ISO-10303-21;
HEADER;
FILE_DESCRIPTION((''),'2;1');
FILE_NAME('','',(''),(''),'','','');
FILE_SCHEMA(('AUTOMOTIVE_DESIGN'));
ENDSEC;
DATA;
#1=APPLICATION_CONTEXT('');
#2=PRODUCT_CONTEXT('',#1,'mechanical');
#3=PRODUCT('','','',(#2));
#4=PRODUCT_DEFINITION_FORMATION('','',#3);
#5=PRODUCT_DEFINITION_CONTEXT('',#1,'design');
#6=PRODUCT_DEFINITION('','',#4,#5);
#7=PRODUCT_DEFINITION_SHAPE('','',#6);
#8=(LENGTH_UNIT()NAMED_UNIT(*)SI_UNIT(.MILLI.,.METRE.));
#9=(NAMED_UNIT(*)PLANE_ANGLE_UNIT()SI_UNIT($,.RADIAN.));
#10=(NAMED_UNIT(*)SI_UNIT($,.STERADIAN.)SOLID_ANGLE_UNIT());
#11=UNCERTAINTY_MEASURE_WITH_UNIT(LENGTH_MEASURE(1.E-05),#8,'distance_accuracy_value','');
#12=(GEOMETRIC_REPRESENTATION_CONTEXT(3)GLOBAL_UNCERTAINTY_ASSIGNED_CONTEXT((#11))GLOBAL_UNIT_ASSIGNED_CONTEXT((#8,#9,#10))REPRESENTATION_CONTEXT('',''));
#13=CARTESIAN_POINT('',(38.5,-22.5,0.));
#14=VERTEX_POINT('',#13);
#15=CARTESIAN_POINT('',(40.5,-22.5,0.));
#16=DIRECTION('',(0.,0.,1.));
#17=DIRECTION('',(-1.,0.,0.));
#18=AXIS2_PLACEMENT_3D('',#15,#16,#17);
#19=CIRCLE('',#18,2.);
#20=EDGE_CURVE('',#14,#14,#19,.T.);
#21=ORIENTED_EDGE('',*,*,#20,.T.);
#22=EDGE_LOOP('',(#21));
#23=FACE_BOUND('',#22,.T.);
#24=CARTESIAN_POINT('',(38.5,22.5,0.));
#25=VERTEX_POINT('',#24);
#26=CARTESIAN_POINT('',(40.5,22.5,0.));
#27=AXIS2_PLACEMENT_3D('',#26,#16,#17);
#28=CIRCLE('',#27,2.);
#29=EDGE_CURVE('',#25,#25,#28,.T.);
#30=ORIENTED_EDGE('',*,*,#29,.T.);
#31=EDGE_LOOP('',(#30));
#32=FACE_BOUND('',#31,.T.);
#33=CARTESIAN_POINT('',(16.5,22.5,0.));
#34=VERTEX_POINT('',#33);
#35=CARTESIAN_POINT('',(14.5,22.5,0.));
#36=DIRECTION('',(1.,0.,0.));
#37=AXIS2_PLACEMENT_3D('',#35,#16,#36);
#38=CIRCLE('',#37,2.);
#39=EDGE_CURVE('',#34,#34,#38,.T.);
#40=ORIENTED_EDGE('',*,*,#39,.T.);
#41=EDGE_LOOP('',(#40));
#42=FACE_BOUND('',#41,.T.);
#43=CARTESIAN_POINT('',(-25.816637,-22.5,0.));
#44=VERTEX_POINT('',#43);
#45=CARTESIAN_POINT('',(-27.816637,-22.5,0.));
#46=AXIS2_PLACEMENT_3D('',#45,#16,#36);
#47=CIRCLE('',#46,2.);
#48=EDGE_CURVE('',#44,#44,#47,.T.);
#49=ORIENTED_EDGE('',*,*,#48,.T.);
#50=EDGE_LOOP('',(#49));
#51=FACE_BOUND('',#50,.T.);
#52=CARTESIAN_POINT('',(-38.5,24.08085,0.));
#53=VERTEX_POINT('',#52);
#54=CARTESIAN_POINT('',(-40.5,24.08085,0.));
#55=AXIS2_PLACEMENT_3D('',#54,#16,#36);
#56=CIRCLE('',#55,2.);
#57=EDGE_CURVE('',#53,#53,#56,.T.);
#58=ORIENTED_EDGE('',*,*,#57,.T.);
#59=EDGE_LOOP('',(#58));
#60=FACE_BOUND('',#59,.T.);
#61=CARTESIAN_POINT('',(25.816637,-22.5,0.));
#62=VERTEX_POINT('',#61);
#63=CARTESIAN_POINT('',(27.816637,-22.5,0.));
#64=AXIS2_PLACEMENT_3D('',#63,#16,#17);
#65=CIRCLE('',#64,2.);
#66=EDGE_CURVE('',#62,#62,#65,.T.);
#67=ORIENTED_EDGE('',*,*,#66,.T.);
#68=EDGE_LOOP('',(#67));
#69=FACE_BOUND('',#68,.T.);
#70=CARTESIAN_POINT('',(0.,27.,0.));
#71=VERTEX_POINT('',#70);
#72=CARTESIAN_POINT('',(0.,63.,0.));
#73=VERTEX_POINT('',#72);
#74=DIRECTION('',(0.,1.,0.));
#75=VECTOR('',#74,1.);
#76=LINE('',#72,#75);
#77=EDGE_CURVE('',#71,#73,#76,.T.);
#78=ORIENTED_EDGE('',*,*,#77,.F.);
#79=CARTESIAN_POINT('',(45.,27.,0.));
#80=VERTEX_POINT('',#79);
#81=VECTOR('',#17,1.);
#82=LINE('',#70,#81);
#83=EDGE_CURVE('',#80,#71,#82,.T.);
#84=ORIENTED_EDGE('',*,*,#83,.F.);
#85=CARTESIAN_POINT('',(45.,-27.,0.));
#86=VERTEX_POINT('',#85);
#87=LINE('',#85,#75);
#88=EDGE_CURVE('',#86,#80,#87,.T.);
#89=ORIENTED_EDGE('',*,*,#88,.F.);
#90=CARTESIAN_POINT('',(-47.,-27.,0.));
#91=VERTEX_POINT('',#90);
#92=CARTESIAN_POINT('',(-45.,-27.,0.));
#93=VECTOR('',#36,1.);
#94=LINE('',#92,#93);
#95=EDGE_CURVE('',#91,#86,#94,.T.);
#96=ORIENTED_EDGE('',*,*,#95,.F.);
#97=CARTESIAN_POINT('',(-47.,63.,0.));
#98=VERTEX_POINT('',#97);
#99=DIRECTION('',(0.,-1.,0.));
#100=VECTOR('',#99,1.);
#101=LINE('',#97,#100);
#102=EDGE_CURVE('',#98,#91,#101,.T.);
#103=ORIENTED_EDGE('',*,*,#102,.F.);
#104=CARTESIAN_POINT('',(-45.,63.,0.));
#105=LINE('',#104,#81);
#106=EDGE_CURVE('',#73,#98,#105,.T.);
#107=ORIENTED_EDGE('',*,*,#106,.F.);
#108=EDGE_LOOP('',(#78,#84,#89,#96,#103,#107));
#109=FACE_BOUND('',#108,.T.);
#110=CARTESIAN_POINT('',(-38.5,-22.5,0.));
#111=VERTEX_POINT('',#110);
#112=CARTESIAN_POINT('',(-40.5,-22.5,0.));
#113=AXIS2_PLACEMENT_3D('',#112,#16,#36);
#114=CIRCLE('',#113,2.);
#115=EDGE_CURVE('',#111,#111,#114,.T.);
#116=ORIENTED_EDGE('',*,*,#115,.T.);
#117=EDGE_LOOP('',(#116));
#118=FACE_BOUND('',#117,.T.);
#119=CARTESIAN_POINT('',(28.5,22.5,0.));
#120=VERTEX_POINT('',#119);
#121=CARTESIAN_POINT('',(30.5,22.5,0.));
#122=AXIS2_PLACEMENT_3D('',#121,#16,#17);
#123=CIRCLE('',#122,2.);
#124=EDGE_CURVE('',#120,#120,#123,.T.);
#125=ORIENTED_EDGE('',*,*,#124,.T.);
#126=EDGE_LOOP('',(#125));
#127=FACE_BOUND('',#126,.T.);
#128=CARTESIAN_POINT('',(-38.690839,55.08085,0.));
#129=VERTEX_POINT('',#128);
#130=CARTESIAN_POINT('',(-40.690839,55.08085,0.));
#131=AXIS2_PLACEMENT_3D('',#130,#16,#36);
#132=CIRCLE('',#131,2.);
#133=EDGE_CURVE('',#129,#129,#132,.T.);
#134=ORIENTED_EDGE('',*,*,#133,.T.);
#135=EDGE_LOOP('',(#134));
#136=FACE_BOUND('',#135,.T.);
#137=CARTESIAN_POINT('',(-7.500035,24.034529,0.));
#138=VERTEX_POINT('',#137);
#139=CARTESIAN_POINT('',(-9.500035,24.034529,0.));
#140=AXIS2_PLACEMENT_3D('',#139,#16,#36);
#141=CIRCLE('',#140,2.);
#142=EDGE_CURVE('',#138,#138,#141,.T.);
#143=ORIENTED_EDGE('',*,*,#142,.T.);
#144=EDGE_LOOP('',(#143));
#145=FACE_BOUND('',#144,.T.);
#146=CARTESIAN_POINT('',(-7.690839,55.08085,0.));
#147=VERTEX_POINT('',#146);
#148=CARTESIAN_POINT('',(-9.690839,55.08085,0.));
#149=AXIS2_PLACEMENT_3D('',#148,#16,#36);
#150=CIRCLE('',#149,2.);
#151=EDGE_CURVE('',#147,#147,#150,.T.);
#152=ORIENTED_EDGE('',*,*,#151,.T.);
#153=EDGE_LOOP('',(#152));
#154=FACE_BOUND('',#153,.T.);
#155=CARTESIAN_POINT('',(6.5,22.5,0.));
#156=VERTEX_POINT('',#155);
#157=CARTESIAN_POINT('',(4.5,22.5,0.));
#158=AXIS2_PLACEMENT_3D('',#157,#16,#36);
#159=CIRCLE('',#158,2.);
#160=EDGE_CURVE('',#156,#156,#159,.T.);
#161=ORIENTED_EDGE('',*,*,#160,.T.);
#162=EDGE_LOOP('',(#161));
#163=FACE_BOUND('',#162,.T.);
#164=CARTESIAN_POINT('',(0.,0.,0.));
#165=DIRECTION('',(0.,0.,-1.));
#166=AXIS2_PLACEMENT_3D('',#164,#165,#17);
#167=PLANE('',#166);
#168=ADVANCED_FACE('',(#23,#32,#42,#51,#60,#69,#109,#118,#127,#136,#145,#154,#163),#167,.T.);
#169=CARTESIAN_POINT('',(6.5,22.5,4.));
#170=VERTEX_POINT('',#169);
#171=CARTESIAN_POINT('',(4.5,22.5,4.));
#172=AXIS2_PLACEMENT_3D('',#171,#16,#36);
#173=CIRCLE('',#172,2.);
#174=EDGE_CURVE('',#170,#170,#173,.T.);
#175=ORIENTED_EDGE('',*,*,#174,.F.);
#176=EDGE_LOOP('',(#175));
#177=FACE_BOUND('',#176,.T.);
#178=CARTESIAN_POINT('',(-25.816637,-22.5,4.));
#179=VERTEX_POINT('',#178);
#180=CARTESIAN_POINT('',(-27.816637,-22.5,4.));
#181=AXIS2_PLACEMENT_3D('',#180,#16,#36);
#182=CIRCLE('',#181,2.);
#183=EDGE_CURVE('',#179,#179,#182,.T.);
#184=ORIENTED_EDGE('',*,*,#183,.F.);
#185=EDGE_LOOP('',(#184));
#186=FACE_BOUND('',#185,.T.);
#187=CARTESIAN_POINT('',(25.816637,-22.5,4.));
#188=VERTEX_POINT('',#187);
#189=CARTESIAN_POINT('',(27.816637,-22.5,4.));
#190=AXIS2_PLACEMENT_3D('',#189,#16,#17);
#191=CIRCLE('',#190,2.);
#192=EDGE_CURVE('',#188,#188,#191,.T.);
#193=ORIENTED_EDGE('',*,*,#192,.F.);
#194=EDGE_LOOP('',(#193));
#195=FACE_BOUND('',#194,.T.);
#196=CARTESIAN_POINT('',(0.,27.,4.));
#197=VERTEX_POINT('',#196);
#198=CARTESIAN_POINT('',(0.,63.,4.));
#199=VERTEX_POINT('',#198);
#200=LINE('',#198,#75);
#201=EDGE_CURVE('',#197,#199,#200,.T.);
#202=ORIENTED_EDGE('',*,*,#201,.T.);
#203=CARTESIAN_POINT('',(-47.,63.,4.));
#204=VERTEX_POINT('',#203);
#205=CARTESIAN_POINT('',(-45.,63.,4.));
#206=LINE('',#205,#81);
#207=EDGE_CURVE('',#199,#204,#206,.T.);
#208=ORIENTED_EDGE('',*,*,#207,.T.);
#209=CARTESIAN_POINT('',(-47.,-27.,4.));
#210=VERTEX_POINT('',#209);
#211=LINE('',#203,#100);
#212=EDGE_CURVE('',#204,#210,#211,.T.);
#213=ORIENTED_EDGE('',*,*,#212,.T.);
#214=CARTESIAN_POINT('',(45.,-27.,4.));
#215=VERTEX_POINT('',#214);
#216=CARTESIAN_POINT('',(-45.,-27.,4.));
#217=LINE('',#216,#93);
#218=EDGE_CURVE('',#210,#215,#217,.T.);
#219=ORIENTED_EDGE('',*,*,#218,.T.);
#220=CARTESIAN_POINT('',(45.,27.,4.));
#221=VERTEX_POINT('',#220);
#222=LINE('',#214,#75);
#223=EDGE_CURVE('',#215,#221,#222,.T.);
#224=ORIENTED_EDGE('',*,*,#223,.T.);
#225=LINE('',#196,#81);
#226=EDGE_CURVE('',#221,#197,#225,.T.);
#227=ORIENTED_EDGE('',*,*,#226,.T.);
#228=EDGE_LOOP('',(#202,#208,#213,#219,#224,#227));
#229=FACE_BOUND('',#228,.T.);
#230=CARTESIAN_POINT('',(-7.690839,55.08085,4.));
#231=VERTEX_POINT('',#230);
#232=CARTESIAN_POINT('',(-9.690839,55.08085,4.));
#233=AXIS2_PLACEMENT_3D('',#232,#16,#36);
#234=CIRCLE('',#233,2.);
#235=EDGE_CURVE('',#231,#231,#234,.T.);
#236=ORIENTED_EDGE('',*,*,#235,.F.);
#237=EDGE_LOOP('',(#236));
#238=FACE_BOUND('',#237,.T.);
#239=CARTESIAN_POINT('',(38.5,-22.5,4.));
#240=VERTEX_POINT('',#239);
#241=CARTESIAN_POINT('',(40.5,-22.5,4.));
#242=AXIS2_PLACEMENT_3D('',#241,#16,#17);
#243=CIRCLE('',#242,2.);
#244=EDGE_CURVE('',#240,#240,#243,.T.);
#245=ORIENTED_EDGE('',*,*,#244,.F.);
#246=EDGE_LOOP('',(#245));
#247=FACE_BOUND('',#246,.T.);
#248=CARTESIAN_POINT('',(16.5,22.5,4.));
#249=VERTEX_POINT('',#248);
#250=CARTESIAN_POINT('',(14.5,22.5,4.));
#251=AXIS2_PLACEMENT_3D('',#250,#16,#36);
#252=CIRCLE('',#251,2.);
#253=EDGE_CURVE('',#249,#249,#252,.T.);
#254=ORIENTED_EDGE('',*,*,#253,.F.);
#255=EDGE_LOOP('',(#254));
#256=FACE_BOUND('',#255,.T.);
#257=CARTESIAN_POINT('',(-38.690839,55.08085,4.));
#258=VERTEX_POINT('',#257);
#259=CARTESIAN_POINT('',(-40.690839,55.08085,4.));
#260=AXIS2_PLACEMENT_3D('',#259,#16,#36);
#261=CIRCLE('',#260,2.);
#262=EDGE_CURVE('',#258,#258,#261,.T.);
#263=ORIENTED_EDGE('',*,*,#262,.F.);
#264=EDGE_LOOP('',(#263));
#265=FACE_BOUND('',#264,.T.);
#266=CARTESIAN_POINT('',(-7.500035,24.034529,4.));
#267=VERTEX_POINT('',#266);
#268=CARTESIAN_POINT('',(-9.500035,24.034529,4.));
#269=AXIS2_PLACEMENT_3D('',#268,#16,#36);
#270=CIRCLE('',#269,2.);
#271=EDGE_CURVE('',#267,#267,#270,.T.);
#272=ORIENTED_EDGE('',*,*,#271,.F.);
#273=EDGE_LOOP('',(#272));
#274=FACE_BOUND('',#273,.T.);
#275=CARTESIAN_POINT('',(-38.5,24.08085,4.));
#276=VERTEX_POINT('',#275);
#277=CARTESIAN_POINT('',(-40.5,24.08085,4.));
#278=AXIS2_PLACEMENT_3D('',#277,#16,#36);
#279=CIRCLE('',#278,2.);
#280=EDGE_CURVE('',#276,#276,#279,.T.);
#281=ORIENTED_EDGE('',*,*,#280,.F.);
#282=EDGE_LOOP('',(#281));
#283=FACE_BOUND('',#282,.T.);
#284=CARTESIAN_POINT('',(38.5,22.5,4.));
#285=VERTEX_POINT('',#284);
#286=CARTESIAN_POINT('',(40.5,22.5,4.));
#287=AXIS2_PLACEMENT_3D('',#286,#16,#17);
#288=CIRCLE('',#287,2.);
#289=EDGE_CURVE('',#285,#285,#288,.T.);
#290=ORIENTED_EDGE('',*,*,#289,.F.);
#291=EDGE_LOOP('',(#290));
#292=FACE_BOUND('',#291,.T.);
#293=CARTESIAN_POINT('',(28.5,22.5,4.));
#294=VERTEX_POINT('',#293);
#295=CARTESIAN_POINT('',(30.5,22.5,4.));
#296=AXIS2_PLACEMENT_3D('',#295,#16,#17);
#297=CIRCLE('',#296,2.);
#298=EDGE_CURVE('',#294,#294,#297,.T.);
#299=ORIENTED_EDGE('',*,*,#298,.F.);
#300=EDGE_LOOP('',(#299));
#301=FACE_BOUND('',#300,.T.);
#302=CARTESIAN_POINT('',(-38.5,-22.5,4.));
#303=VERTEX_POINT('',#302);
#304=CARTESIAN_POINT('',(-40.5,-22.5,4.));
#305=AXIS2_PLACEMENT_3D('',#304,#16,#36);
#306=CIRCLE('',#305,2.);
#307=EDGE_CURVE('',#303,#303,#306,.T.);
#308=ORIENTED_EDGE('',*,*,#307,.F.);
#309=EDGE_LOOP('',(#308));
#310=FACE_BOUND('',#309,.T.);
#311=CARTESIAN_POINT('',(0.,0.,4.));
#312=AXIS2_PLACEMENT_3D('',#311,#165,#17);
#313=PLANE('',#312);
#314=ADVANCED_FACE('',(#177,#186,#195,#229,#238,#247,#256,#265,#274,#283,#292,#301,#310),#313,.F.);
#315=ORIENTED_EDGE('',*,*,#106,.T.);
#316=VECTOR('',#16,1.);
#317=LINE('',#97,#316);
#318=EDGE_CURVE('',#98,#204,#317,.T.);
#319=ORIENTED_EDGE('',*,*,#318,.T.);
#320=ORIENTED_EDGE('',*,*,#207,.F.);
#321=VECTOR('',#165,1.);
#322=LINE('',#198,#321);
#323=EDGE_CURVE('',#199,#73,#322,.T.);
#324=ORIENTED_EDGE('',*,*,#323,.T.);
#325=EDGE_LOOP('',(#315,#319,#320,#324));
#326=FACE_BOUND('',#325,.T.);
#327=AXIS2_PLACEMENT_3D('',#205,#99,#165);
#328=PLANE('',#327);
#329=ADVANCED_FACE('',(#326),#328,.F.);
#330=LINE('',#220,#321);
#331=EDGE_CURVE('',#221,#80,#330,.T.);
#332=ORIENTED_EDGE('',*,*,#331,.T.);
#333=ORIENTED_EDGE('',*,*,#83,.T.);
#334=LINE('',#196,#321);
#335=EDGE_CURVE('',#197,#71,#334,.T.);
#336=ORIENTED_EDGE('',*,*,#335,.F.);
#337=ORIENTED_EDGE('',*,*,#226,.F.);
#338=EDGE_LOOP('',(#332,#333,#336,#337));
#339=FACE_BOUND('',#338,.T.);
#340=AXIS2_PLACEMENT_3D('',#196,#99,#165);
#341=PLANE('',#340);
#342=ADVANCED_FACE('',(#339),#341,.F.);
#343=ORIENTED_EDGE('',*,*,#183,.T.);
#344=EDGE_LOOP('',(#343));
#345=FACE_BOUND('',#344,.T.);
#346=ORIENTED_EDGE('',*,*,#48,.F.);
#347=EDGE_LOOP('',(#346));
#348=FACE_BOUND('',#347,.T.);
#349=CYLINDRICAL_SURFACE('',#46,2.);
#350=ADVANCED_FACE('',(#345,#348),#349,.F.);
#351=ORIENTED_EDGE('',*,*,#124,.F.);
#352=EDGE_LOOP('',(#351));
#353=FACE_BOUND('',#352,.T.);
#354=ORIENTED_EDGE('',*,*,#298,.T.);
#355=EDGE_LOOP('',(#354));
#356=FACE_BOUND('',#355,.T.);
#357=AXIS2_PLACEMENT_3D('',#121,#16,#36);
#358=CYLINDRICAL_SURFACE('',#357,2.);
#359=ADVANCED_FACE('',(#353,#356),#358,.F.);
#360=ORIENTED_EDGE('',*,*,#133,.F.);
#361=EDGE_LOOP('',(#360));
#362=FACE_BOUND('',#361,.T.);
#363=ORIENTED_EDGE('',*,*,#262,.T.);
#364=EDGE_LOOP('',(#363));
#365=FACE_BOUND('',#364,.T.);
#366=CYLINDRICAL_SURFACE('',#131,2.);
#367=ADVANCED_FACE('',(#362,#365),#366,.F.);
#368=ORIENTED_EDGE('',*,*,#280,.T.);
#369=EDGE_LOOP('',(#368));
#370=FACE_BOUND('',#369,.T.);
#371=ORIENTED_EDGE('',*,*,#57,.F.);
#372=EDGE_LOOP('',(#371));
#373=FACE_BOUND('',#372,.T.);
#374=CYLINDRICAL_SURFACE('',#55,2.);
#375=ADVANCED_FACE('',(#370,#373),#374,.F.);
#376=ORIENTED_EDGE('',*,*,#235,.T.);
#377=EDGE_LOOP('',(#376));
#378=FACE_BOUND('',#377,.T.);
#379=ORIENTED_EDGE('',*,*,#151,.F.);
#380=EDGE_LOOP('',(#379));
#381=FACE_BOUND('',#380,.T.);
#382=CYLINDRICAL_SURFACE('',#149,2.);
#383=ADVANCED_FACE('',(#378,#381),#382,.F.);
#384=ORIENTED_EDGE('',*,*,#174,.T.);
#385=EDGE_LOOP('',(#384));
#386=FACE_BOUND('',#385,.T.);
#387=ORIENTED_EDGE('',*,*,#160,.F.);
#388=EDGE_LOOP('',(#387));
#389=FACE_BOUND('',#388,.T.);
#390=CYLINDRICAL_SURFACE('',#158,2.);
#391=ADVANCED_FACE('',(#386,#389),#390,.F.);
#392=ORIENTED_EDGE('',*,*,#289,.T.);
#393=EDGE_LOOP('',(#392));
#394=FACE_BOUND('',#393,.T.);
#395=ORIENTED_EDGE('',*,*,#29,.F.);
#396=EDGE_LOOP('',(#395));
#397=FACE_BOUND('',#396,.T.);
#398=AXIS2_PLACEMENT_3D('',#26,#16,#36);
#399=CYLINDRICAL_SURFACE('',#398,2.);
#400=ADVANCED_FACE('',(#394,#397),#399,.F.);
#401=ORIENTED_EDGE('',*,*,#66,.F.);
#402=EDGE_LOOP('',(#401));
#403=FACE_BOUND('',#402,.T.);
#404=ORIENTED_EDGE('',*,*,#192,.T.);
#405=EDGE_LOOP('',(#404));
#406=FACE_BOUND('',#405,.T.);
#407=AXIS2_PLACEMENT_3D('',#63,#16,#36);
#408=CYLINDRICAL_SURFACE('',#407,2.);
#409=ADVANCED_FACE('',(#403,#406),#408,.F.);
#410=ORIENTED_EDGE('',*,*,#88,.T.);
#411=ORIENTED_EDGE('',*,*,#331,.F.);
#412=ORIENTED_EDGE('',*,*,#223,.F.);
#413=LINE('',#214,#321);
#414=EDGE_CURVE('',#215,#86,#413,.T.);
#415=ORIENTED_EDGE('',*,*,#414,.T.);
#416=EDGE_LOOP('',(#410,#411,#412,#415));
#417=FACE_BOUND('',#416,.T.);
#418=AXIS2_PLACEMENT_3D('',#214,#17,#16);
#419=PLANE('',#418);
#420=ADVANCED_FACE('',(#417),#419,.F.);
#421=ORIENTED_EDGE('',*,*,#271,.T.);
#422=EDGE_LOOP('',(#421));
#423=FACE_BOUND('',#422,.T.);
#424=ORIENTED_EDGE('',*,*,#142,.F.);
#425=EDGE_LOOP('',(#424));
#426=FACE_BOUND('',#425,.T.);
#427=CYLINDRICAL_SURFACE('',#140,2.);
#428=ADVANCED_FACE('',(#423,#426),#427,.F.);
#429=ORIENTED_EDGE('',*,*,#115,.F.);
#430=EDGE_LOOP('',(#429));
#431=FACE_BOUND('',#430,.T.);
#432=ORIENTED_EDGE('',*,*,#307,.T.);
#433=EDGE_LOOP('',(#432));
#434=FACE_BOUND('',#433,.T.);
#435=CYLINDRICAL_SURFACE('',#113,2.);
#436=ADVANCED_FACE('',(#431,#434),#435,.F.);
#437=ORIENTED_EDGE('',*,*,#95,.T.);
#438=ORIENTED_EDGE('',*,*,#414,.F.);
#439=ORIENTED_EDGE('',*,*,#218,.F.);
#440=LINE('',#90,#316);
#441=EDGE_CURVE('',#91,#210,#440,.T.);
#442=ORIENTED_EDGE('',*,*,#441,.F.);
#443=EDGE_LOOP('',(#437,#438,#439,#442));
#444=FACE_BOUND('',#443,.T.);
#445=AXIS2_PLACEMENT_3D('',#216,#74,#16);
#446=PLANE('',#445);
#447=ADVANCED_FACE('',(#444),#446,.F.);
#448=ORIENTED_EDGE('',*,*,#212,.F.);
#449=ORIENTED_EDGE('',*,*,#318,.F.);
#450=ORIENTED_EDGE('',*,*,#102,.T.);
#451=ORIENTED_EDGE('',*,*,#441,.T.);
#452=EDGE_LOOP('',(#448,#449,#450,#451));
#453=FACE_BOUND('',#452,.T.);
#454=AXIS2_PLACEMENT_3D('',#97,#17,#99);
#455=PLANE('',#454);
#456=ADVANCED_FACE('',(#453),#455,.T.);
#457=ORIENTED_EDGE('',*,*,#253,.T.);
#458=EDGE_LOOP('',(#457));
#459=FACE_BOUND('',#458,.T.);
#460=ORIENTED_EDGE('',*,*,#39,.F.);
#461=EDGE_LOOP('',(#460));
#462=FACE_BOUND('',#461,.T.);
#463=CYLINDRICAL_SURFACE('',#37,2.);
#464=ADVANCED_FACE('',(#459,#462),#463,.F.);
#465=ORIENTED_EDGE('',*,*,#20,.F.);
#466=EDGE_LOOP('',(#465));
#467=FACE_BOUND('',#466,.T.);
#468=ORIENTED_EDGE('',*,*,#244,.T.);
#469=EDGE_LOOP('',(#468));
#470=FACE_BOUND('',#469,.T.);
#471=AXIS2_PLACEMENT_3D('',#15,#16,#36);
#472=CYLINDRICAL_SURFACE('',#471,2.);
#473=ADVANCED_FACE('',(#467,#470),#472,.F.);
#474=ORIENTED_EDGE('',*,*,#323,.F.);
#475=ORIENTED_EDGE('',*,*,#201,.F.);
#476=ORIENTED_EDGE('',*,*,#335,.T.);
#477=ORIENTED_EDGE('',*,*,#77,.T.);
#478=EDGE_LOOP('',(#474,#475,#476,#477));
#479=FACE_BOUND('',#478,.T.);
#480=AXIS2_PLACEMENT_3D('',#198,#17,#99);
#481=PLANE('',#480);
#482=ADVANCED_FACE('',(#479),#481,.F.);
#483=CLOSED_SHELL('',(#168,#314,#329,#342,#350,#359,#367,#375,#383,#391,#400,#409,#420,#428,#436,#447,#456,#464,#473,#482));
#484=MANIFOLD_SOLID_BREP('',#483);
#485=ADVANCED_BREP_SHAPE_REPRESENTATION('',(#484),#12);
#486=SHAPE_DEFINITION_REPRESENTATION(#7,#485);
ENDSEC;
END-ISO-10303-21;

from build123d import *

# Parameters (mm, degrees)
BOSS_EXTRUDE1_DEPTH = 4
SKETCH2_R           = 2
CUT_EXTRUDE1_DEPTH  = 4
SKETCH3_R           = 2
CUT_EXTRUDE2_DEPTH  = 4
SKETCH4_R           = 2
CUT_EXTRUDE3_DEPTH  = 4
SKETCH5_W           = 2
SKETCH5_H           = 90
BOSS_EXTRUDE2_DEPTH = 4
SKETCH6_R           = 2
CUT_EXTRUDE4_DEPTH  = 4


with BuildPart() as part:
    # Sketch1 → Boss-Extrude1 (new body)
    with BuildSketch(Plane.XY):
        Polygon((-45, 27), (-45, 63), (0, 63), (0, 27), (45, 27), (45, -27), (-45, -27), align=None)
    extrude(amount=BOSS_EXTRUDE1_DEPTH)

    # Sketch2 → Cut-Extrude1 (cut)
    with BuildSketch(Plane.XY.offset(4)):
        with Locations((-40.5, -22.5)):
            Circle(SKETCH2_R)
        with Locations((-27.816637329, -22.5)):
            Circle(SKETCH2_R)
        with Locations(Location((27.816637329, -22.5, 0), (0, 0, 180))):
            Circle(SKETCH2_R)
        with Locations(Location((40.5, -22.5, 0), (0, 0, 180))):
            Circle(SKETCH2_R)
        with Locations(Location((30.5, 22.5, 0), (0, 0, 180))):
            Circle(SKETCH2_R)
        with Locations(Location((40.5, 22.5, 0), (0, 0, 180))):
            Circle(SKETCH2_R)
    extrude(amount=-CUT_EXTRUDE1_DEPTH, mode=Mode.SUBTRACT)

    # Sketch3 → Cut-Extrude2 (cut)
    with BuildSketch(Plane.XY.offset(4)):
        with Locations((-40.5, 24.080850084)):
            Circle(SKETCH3_R)
        with Locations((-9.500034607, 24.034529107)):
            Circle(SKETCH3_R)
    extrude(amount=-CUT_EXTRUDE2_DEPTH, mode=Mode.SUBTRACT)

    # Sketch4 → Cut-Extrude3 (cut)
    with BuildSketch(Plane.XY.offset(4)):
        with Locations((-40.690838772, 55.080850084)):
            Circle(SKETCH4_R)
        with Locations((-9.690838772, 55.080850084)):
            Circle(SKETCH4_R)
    extrude(amount=-CUT_EXTRUDE3_DEPTH, mode=Mode.SUBTRACT)

    # Sketch5 → Boss-Extrude2 (add)
    with BuildSketch(Plane.XY.offset(4)):
        with Locations((-46, 18)):
            Rectangle(SKETCH5_W, SKETCH5_H)
    extrude(amount=-BOSS_EXTRUDE2_DEPTH)

    # Sketch6 → Cut-Extrude4 (cut)
    with BuildSketch(Plane.XY.offset(4)):
        with Locations((4.5, 22.5)):
            Circle(SKETCH6_R)
        with Locations((14.5, 22.5)):
            Circle(SKETCH6_R)
    extrude(amount=-CUT_EXTRUDE4_DEPTH, mode=Mode.SUBTRACT)


solid = part.part
